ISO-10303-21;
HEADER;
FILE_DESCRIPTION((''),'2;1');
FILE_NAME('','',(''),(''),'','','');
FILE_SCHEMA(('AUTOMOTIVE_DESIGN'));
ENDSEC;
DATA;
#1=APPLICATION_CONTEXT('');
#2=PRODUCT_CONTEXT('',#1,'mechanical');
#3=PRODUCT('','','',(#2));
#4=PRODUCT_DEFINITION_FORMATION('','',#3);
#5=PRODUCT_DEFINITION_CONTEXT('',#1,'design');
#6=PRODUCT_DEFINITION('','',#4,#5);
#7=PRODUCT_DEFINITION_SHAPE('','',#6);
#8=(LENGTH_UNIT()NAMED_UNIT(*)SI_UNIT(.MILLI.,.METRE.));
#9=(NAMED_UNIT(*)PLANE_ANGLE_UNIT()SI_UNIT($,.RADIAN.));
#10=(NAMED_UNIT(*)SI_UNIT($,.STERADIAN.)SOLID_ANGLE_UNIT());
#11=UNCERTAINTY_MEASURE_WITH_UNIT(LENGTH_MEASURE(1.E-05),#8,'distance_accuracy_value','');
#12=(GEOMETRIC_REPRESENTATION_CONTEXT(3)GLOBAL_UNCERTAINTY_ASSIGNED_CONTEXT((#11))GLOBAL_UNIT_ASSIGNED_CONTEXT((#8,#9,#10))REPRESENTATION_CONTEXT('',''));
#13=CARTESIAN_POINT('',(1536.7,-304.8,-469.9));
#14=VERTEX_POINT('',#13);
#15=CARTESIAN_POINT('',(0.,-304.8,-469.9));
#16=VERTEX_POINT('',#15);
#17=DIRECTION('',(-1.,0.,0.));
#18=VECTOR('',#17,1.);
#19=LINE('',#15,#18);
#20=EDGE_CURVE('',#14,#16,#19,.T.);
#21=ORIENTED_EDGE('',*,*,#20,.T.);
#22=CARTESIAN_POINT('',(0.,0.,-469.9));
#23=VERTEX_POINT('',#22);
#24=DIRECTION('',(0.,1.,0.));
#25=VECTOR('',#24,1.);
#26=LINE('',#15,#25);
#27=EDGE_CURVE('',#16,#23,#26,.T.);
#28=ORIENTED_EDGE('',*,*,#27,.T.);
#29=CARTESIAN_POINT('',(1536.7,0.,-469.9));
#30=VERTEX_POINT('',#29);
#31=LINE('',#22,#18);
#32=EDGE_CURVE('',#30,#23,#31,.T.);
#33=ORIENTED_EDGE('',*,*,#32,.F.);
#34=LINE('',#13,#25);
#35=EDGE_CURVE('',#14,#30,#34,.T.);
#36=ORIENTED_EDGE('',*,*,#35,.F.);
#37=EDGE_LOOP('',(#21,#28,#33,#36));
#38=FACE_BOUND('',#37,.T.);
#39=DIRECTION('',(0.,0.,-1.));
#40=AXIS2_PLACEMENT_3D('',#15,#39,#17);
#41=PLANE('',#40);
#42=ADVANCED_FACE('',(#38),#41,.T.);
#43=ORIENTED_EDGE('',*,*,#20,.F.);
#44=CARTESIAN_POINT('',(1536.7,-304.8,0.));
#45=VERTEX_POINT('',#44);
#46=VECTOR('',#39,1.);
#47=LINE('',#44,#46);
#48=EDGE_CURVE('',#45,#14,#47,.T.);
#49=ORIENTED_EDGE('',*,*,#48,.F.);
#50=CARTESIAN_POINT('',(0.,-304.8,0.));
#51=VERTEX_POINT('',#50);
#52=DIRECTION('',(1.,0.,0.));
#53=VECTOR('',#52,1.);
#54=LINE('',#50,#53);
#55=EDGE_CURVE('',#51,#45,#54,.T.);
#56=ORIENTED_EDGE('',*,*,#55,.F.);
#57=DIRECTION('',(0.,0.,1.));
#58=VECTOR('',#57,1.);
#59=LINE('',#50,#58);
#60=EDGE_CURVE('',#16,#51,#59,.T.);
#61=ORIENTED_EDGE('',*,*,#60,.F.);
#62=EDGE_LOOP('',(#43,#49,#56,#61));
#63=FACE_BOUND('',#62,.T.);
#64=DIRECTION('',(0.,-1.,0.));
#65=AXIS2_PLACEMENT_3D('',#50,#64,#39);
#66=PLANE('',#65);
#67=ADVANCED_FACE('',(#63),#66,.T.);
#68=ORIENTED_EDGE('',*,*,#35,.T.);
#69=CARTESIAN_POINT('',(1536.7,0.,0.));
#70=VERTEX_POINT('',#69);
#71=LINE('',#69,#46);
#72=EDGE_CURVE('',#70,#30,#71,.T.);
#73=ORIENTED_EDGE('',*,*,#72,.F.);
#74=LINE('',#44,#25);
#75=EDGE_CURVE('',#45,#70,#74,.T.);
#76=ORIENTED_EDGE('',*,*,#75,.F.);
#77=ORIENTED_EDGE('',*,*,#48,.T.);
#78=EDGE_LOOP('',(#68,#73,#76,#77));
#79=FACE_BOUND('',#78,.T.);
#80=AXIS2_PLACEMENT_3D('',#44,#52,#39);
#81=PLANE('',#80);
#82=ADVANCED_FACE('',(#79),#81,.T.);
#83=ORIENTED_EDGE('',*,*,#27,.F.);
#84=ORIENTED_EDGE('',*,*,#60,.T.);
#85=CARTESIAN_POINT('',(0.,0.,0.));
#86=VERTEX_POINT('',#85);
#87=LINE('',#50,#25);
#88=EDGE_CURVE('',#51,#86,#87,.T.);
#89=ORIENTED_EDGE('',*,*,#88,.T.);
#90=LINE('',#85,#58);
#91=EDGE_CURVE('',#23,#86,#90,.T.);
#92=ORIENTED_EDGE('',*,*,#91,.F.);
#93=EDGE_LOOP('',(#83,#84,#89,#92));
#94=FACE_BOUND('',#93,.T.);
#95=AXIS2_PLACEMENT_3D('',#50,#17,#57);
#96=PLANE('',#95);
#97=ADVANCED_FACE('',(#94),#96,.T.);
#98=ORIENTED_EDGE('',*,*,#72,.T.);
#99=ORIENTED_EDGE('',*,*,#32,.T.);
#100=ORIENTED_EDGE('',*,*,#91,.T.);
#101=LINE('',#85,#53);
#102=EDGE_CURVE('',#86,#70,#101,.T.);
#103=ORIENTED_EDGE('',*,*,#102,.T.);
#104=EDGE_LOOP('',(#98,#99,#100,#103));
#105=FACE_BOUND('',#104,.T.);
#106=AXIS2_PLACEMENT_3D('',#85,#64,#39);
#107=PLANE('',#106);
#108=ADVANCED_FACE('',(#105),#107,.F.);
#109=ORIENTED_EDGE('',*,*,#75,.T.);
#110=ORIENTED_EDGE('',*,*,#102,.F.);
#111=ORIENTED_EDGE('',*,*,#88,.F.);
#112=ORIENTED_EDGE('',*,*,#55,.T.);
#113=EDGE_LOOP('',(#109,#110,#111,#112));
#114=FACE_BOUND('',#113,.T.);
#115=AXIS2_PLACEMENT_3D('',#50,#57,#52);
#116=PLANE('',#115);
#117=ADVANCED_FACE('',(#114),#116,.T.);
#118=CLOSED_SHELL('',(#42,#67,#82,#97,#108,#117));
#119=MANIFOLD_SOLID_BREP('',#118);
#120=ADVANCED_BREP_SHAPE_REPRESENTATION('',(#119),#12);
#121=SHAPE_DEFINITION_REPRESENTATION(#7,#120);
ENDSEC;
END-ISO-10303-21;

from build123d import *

# Parameters (mm, degrees)
SKETCH1_W           = 1536.7
SKETCH1_H           = 469.9
BOSS_EXTRUDE1_DEPTH = 304.8


with BuildPart() as part:
    # Sketch1 → Boss-Extrude1 (new body)
    with BuildSketch(Plane(origin=(0, 0, 0), x_dir=(1, 0, 0), z_dir=(0, 1, 0))):
        with Locations((768.35, 234.95)):
            Rectangle(SKETCH1_W, SKETCH1_H)
    extrude(amount=-BOSS_EXTRUDE1_DEPTH)


solid = part.part
